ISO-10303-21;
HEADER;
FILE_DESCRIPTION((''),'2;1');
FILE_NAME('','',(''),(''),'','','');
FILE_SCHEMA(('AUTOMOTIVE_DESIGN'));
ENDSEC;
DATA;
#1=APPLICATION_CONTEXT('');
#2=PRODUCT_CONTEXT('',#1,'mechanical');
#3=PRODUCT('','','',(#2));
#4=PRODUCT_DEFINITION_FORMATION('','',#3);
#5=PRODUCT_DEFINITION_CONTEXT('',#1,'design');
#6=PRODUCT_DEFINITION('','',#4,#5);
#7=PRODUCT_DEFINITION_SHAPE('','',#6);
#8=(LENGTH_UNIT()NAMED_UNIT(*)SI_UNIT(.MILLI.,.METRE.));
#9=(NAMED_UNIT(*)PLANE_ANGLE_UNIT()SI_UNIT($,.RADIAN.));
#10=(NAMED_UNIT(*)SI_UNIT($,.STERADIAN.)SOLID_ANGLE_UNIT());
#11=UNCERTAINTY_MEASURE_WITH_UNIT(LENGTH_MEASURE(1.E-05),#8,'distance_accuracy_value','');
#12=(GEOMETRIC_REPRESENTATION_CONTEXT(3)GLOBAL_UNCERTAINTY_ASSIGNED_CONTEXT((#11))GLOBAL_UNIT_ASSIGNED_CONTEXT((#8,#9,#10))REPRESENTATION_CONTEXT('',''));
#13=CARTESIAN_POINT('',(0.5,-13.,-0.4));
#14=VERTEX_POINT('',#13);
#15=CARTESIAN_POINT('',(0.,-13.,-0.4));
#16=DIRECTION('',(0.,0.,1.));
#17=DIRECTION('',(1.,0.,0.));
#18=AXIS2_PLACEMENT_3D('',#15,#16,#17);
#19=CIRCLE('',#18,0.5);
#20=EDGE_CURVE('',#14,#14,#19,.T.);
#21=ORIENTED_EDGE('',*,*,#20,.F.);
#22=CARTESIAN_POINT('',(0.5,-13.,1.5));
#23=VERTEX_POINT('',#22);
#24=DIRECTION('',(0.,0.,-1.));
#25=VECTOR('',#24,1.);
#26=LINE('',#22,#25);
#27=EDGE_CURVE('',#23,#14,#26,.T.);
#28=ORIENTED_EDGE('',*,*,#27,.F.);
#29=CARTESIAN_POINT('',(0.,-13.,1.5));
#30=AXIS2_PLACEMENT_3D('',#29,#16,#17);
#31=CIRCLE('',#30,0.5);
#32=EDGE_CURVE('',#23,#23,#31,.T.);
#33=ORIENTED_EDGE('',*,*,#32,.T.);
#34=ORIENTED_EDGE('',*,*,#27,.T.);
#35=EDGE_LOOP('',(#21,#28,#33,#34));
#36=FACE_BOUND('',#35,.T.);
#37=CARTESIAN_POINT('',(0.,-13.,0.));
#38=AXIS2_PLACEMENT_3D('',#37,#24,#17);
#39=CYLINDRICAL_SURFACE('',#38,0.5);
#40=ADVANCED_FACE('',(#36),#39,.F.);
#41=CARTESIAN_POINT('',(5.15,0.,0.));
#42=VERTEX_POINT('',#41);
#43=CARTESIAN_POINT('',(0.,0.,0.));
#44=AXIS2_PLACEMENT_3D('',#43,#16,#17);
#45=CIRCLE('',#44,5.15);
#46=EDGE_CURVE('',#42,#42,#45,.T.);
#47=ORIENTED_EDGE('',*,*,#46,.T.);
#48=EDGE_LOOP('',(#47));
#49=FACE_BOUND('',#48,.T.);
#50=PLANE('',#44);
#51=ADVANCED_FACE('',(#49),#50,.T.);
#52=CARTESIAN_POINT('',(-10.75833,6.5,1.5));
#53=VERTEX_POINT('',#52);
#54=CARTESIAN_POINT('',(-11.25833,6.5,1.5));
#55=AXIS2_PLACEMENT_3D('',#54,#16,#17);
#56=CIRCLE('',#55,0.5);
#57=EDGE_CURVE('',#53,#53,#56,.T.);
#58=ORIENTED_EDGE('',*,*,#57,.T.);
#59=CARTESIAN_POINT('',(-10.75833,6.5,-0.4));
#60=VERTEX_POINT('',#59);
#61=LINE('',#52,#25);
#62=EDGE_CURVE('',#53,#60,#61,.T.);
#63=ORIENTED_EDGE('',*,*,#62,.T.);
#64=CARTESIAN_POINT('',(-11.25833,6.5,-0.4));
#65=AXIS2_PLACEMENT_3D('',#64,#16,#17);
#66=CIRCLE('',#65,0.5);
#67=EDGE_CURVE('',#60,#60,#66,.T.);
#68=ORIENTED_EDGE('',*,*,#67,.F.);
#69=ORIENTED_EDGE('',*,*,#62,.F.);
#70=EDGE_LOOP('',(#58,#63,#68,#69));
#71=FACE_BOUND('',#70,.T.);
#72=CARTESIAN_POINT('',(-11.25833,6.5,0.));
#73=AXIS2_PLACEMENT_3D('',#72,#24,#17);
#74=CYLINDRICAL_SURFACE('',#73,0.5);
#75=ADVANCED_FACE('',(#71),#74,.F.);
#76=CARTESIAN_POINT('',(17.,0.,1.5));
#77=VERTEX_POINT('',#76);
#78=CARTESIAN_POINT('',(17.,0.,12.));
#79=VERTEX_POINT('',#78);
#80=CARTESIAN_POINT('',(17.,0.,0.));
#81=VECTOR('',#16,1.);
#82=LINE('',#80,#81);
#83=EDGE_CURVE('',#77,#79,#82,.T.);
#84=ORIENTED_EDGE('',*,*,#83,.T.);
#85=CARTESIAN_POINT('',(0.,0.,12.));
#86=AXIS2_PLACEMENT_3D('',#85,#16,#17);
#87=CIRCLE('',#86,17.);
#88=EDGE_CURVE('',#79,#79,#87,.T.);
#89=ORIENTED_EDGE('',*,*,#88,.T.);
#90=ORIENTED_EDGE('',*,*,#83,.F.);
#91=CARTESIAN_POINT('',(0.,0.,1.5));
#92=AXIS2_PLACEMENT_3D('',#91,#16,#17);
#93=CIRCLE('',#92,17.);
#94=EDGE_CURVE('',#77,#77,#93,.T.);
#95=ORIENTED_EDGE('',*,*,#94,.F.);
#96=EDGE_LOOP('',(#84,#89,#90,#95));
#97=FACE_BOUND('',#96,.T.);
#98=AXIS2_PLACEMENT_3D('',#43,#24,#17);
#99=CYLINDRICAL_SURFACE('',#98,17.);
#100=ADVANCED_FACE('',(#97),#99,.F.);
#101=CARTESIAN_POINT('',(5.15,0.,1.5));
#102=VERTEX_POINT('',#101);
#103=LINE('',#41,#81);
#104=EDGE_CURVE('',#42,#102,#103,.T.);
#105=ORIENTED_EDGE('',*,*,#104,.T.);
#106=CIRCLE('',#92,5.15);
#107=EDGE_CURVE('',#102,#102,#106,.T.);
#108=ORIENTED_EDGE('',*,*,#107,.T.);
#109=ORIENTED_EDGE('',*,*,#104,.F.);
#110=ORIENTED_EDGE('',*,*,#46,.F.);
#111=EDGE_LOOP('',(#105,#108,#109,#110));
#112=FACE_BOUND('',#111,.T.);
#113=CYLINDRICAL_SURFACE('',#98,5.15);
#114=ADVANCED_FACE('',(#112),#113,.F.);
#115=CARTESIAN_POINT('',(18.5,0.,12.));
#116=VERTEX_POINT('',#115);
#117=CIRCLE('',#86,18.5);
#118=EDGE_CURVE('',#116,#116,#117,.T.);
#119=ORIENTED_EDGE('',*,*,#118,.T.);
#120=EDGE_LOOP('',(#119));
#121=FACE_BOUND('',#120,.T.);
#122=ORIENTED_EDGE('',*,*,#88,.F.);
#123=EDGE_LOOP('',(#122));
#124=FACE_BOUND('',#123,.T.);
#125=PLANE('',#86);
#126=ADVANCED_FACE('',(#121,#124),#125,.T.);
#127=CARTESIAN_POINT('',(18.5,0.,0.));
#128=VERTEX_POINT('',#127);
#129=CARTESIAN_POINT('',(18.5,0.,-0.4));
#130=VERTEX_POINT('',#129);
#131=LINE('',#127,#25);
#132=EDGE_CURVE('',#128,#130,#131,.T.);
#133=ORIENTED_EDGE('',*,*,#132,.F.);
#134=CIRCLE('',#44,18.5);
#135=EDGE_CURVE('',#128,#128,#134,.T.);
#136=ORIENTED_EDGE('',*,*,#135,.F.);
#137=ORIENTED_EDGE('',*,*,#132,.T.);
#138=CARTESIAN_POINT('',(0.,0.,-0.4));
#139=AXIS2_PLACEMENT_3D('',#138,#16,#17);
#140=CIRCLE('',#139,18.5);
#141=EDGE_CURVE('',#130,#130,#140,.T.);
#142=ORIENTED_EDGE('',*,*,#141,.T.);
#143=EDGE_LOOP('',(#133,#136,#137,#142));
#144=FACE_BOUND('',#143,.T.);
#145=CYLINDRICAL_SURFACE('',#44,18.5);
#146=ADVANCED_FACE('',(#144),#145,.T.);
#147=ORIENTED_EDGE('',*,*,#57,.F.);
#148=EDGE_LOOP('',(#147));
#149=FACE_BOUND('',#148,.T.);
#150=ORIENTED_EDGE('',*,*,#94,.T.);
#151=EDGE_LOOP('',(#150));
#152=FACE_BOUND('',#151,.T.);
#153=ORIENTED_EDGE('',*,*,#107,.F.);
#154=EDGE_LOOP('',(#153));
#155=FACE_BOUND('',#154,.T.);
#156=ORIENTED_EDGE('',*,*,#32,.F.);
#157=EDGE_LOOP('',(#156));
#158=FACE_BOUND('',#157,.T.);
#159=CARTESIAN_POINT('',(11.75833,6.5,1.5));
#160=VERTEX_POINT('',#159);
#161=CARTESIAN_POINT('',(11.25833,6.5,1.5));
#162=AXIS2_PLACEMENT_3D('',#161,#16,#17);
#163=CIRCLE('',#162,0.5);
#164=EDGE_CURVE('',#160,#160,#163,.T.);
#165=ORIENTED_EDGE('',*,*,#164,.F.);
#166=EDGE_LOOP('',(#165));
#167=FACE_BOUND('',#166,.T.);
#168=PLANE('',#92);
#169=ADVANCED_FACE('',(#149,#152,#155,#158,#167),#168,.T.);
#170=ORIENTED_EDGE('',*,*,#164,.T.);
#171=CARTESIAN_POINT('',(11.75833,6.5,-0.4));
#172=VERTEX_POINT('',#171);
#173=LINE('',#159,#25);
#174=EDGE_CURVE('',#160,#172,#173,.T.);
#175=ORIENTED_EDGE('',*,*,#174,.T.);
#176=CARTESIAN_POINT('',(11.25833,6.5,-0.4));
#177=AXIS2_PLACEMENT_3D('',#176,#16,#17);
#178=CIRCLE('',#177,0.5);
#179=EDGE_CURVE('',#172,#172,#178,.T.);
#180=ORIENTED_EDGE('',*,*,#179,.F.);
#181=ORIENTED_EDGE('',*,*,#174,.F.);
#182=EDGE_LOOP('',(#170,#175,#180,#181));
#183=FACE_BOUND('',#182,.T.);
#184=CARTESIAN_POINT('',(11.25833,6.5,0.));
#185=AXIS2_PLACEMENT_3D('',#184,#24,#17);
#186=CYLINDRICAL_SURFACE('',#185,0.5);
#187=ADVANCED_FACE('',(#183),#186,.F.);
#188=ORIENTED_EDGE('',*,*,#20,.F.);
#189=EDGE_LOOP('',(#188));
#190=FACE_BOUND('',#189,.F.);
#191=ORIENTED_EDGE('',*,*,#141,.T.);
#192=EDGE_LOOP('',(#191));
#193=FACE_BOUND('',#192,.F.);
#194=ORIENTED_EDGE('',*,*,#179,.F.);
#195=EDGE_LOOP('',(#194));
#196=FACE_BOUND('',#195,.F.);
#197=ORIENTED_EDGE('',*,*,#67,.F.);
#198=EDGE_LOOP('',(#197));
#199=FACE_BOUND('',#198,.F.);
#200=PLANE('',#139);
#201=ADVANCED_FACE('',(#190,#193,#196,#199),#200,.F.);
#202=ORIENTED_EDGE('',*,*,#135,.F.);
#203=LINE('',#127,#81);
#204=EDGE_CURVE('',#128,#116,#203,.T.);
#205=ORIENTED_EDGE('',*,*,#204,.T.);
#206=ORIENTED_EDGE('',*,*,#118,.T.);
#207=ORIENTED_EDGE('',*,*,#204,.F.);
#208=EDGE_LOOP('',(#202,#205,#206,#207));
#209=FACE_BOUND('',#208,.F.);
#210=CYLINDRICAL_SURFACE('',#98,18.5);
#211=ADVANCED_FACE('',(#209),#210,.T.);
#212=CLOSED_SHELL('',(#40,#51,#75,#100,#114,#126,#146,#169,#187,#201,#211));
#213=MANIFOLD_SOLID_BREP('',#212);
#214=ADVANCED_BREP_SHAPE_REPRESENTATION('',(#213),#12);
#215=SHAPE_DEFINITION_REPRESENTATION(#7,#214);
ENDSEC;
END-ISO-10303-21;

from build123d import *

# Parameters (mm, degrees)
F2_R     = 18.5
F2_R_2   = 17
F2_R_3   = 5.15
F2_R_4   = 0.5
F3_DEPTH = 0.4
F4_DEPTH = 1.5
F5_DEPTH = 12


with BuildPart() as f3:
    # F2 (on Top) → F3 (new body)
    with BuildSketch(Plane.XY):
        Circle(F2_R)
        Circle(F2_R_2, mode=Mode.SUBTRACT)
        Circle(F2_R_2)
        with Locations((0, -11)):
            Circle(F2_R_3, mode=Mode.SUBTRACT)
        with Locations((-11.2583302492, 6.5)):
            Circle(F2_R_4, mode=Mode.SUBTRACT)
        Circle(F2_R_3, mode=Mode.SUBTRACT)
        with Locations((11.2583302492, 6.5)):
            Circle(F2_R_4, mode=Mode.SUBTRACT)
        with Locations((0, 11)):
            Circle(F2_R_3, mode=Mode.SUBTRACT)
        with Locations((0, -11)):
            Circle(F2_R_3)
        with Locations((0, -13)):
            Circle(F2_R_4, mode=Mode.SUBTRACT)
        Circle(F2_R_3)
        with Locations((0, 11)):
            Circle(F2_R_3)
    extrude(amount=-F3_DEPTH)

    # F2 (on Top) → F4 (join)
    with BuildSketch(Plane.XY):
        Circle(F2_R_2)
        with Locations((0, -11)):
            Circle(F2_R_3, mode=Mode.SUBTRACT)
        with Locations((-11.2583302492, 6.5)):
            Circle(F2_R_4, mode=Mode.SUBTRACT)
        Circle(F2_R_3, mode=Mode.SUBTRACT)
        with Locations((11.2583302492, 6.5)):
            Circle(F2_R_4, mode=Mode.SUBTRACT)
        with Locations((0, 11)):
            Circle(F2_R_3, mode=Mode.SUBTRACT)
        with Locations((0, 11)):
            Circle(F2_R_3)
        with Locations((0, -11)):
            Circle(F2_R_3)
        with Locations((0, -13)):
            Circle(F2_R_4, mode=Mode.SUBTRACT)
    extrude(amount=F4_DEPTH)

    # F2 (on Top) → F5 (join)
    with BuildSketch(Plane.XY):
        Circle(F2_R)
        Circle(F2_R_2, mode=Mode.SUBTRACT)
    extrude(amount=F5_DEPTH)


solid = f3.part
